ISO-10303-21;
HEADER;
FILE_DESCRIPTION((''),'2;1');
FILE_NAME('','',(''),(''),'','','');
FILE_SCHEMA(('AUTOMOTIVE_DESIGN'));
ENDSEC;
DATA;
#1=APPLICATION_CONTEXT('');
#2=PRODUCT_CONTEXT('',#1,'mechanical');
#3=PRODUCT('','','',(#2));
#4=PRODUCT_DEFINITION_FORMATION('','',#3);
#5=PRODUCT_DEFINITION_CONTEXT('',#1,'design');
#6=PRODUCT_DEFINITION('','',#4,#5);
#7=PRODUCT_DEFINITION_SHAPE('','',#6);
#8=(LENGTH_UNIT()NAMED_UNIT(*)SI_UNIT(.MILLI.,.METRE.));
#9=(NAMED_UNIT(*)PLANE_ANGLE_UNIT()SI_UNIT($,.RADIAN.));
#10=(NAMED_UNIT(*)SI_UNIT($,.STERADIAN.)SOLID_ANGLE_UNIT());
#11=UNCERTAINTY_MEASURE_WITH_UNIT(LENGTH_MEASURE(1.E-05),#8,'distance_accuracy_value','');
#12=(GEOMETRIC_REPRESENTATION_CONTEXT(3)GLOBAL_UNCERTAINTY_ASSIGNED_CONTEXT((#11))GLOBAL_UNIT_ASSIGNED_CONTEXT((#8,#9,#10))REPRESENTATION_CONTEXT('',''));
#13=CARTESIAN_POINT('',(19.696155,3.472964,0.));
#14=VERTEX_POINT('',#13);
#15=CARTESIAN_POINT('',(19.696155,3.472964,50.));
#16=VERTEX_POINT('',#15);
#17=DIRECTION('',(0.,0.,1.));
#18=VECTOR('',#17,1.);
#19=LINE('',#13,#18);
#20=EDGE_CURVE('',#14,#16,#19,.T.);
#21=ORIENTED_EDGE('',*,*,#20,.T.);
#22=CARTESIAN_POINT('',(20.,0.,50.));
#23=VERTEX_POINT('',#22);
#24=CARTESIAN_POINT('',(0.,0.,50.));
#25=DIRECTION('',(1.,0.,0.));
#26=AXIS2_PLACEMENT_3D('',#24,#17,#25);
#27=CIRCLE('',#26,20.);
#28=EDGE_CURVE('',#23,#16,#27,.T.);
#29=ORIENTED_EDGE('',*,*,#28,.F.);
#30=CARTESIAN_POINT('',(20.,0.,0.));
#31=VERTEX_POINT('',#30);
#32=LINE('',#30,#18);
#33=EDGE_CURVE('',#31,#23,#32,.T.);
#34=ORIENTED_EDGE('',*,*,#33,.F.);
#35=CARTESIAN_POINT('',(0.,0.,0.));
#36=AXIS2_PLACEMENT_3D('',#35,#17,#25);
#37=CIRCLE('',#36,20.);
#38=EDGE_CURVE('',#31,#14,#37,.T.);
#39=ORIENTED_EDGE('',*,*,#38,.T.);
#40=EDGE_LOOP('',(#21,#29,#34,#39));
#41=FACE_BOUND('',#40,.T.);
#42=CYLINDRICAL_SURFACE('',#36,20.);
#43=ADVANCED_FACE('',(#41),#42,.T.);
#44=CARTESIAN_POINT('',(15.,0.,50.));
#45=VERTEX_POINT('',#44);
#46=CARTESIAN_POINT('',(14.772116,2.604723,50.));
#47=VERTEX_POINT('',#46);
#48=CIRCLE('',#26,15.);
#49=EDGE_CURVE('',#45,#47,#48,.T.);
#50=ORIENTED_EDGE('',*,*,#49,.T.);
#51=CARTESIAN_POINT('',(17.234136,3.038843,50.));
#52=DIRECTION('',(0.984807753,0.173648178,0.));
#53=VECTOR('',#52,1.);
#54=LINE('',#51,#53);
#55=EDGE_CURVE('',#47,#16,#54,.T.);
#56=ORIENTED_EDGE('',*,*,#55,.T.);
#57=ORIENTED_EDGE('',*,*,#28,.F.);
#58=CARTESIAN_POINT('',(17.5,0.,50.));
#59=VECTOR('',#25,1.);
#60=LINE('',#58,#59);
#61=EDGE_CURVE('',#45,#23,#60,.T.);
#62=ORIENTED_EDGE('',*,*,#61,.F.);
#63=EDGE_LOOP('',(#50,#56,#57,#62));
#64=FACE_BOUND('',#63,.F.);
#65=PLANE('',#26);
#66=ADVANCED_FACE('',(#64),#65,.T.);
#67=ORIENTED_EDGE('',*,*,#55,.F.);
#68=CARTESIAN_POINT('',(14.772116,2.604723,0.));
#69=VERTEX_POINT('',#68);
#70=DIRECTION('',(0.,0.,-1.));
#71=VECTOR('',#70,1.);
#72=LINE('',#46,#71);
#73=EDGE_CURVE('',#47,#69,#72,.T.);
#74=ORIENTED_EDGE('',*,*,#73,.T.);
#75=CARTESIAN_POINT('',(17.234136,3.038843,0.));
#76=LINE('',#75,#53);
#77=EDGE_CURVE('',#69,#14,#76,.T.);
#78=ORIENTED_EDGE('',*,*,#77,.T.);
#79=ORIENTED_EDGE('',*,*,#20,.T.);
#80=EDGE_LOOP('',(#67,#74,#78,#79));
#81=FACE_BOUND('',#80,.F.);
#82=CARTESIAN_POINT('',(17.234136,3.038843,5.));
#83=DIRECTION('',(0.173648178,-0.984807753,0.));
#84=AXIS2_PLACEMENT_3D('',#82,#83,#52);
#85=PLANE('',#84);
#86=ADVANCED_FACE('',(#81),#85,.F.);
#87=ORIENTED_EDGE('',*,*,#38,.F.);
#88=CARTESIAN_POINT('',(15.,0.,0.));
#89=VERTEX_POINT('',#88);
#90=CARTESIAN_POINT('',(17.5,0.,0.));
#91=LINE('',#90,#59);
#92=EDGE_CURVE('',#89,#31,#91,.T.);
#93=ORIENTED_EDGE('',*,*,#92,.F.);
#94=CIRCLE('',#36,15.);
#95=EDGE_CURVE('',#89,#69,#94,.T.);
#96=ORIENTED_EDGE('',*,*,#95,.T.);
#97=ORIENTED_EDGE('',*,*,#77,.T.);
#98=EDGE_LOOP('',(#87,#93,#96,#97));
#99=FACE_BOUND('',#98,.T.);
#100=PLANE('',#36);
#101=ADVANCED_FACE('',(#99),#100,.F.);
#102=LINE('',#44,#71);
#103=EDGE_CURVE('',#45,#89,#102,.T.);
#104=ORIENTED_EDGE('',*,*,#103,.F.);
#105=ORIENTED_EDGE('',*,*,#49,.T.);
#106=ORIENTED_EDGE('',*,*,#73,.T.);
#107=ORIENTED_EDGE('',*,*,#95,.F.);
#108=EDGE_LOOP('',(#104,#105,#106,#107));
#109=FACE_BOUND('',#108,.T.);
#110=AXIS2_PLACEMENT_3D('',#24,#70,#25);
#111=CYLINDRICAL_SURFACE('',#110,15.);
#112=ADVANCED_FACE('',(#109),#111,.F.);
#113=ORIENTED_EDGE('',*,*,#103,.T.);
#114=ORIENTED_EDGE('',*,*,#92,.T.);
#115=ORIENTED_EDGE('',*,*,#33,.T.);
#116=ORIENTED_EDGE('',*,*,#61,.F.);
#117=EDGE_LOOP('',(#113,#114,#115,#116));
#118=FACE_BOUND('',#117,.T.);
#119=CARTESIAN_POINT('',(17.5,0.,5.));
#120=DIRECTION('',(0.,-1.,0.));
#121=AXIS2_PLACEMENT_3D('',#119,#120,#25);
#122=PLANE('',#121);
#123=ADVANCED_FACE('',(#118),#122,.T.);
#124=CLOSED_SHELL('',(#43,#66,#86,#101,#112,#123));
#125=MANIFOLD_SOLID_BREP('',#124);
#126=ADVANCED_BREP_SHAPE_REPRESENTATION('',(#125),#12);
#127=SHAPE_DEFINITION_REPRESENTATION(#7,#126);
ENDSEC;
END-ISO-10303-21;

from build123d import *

# Parameters (mm, degrees)
F0_W     = 5
F0_H     = 10
F1_ANGLE = 10


with BuildPart() as f1:
    # F0 (on Front) → F1 (revolve)
    with BuildSketch(Plane.XZ):
        with Locations((17.5, 5)):
            Rectangle(F0_W, F0_H)
        with Locations((17.5, 15)):
            Rectangle(F0_W, F0_H)
        with Locations((17.5, 25)):
            Rectangle(F0_W, F0_H)
        with Locations((17.5, 35)):
            Rectangle(F0_W, F0_H)
        with Locations((17.5, 45)):
            Rectangle(F0_W, F0_H)
    revolve(axis=Axis((0, 0, 25), (0, 0, 1)), revolution_arc=F1_ANGLE)


solid = f1.part
